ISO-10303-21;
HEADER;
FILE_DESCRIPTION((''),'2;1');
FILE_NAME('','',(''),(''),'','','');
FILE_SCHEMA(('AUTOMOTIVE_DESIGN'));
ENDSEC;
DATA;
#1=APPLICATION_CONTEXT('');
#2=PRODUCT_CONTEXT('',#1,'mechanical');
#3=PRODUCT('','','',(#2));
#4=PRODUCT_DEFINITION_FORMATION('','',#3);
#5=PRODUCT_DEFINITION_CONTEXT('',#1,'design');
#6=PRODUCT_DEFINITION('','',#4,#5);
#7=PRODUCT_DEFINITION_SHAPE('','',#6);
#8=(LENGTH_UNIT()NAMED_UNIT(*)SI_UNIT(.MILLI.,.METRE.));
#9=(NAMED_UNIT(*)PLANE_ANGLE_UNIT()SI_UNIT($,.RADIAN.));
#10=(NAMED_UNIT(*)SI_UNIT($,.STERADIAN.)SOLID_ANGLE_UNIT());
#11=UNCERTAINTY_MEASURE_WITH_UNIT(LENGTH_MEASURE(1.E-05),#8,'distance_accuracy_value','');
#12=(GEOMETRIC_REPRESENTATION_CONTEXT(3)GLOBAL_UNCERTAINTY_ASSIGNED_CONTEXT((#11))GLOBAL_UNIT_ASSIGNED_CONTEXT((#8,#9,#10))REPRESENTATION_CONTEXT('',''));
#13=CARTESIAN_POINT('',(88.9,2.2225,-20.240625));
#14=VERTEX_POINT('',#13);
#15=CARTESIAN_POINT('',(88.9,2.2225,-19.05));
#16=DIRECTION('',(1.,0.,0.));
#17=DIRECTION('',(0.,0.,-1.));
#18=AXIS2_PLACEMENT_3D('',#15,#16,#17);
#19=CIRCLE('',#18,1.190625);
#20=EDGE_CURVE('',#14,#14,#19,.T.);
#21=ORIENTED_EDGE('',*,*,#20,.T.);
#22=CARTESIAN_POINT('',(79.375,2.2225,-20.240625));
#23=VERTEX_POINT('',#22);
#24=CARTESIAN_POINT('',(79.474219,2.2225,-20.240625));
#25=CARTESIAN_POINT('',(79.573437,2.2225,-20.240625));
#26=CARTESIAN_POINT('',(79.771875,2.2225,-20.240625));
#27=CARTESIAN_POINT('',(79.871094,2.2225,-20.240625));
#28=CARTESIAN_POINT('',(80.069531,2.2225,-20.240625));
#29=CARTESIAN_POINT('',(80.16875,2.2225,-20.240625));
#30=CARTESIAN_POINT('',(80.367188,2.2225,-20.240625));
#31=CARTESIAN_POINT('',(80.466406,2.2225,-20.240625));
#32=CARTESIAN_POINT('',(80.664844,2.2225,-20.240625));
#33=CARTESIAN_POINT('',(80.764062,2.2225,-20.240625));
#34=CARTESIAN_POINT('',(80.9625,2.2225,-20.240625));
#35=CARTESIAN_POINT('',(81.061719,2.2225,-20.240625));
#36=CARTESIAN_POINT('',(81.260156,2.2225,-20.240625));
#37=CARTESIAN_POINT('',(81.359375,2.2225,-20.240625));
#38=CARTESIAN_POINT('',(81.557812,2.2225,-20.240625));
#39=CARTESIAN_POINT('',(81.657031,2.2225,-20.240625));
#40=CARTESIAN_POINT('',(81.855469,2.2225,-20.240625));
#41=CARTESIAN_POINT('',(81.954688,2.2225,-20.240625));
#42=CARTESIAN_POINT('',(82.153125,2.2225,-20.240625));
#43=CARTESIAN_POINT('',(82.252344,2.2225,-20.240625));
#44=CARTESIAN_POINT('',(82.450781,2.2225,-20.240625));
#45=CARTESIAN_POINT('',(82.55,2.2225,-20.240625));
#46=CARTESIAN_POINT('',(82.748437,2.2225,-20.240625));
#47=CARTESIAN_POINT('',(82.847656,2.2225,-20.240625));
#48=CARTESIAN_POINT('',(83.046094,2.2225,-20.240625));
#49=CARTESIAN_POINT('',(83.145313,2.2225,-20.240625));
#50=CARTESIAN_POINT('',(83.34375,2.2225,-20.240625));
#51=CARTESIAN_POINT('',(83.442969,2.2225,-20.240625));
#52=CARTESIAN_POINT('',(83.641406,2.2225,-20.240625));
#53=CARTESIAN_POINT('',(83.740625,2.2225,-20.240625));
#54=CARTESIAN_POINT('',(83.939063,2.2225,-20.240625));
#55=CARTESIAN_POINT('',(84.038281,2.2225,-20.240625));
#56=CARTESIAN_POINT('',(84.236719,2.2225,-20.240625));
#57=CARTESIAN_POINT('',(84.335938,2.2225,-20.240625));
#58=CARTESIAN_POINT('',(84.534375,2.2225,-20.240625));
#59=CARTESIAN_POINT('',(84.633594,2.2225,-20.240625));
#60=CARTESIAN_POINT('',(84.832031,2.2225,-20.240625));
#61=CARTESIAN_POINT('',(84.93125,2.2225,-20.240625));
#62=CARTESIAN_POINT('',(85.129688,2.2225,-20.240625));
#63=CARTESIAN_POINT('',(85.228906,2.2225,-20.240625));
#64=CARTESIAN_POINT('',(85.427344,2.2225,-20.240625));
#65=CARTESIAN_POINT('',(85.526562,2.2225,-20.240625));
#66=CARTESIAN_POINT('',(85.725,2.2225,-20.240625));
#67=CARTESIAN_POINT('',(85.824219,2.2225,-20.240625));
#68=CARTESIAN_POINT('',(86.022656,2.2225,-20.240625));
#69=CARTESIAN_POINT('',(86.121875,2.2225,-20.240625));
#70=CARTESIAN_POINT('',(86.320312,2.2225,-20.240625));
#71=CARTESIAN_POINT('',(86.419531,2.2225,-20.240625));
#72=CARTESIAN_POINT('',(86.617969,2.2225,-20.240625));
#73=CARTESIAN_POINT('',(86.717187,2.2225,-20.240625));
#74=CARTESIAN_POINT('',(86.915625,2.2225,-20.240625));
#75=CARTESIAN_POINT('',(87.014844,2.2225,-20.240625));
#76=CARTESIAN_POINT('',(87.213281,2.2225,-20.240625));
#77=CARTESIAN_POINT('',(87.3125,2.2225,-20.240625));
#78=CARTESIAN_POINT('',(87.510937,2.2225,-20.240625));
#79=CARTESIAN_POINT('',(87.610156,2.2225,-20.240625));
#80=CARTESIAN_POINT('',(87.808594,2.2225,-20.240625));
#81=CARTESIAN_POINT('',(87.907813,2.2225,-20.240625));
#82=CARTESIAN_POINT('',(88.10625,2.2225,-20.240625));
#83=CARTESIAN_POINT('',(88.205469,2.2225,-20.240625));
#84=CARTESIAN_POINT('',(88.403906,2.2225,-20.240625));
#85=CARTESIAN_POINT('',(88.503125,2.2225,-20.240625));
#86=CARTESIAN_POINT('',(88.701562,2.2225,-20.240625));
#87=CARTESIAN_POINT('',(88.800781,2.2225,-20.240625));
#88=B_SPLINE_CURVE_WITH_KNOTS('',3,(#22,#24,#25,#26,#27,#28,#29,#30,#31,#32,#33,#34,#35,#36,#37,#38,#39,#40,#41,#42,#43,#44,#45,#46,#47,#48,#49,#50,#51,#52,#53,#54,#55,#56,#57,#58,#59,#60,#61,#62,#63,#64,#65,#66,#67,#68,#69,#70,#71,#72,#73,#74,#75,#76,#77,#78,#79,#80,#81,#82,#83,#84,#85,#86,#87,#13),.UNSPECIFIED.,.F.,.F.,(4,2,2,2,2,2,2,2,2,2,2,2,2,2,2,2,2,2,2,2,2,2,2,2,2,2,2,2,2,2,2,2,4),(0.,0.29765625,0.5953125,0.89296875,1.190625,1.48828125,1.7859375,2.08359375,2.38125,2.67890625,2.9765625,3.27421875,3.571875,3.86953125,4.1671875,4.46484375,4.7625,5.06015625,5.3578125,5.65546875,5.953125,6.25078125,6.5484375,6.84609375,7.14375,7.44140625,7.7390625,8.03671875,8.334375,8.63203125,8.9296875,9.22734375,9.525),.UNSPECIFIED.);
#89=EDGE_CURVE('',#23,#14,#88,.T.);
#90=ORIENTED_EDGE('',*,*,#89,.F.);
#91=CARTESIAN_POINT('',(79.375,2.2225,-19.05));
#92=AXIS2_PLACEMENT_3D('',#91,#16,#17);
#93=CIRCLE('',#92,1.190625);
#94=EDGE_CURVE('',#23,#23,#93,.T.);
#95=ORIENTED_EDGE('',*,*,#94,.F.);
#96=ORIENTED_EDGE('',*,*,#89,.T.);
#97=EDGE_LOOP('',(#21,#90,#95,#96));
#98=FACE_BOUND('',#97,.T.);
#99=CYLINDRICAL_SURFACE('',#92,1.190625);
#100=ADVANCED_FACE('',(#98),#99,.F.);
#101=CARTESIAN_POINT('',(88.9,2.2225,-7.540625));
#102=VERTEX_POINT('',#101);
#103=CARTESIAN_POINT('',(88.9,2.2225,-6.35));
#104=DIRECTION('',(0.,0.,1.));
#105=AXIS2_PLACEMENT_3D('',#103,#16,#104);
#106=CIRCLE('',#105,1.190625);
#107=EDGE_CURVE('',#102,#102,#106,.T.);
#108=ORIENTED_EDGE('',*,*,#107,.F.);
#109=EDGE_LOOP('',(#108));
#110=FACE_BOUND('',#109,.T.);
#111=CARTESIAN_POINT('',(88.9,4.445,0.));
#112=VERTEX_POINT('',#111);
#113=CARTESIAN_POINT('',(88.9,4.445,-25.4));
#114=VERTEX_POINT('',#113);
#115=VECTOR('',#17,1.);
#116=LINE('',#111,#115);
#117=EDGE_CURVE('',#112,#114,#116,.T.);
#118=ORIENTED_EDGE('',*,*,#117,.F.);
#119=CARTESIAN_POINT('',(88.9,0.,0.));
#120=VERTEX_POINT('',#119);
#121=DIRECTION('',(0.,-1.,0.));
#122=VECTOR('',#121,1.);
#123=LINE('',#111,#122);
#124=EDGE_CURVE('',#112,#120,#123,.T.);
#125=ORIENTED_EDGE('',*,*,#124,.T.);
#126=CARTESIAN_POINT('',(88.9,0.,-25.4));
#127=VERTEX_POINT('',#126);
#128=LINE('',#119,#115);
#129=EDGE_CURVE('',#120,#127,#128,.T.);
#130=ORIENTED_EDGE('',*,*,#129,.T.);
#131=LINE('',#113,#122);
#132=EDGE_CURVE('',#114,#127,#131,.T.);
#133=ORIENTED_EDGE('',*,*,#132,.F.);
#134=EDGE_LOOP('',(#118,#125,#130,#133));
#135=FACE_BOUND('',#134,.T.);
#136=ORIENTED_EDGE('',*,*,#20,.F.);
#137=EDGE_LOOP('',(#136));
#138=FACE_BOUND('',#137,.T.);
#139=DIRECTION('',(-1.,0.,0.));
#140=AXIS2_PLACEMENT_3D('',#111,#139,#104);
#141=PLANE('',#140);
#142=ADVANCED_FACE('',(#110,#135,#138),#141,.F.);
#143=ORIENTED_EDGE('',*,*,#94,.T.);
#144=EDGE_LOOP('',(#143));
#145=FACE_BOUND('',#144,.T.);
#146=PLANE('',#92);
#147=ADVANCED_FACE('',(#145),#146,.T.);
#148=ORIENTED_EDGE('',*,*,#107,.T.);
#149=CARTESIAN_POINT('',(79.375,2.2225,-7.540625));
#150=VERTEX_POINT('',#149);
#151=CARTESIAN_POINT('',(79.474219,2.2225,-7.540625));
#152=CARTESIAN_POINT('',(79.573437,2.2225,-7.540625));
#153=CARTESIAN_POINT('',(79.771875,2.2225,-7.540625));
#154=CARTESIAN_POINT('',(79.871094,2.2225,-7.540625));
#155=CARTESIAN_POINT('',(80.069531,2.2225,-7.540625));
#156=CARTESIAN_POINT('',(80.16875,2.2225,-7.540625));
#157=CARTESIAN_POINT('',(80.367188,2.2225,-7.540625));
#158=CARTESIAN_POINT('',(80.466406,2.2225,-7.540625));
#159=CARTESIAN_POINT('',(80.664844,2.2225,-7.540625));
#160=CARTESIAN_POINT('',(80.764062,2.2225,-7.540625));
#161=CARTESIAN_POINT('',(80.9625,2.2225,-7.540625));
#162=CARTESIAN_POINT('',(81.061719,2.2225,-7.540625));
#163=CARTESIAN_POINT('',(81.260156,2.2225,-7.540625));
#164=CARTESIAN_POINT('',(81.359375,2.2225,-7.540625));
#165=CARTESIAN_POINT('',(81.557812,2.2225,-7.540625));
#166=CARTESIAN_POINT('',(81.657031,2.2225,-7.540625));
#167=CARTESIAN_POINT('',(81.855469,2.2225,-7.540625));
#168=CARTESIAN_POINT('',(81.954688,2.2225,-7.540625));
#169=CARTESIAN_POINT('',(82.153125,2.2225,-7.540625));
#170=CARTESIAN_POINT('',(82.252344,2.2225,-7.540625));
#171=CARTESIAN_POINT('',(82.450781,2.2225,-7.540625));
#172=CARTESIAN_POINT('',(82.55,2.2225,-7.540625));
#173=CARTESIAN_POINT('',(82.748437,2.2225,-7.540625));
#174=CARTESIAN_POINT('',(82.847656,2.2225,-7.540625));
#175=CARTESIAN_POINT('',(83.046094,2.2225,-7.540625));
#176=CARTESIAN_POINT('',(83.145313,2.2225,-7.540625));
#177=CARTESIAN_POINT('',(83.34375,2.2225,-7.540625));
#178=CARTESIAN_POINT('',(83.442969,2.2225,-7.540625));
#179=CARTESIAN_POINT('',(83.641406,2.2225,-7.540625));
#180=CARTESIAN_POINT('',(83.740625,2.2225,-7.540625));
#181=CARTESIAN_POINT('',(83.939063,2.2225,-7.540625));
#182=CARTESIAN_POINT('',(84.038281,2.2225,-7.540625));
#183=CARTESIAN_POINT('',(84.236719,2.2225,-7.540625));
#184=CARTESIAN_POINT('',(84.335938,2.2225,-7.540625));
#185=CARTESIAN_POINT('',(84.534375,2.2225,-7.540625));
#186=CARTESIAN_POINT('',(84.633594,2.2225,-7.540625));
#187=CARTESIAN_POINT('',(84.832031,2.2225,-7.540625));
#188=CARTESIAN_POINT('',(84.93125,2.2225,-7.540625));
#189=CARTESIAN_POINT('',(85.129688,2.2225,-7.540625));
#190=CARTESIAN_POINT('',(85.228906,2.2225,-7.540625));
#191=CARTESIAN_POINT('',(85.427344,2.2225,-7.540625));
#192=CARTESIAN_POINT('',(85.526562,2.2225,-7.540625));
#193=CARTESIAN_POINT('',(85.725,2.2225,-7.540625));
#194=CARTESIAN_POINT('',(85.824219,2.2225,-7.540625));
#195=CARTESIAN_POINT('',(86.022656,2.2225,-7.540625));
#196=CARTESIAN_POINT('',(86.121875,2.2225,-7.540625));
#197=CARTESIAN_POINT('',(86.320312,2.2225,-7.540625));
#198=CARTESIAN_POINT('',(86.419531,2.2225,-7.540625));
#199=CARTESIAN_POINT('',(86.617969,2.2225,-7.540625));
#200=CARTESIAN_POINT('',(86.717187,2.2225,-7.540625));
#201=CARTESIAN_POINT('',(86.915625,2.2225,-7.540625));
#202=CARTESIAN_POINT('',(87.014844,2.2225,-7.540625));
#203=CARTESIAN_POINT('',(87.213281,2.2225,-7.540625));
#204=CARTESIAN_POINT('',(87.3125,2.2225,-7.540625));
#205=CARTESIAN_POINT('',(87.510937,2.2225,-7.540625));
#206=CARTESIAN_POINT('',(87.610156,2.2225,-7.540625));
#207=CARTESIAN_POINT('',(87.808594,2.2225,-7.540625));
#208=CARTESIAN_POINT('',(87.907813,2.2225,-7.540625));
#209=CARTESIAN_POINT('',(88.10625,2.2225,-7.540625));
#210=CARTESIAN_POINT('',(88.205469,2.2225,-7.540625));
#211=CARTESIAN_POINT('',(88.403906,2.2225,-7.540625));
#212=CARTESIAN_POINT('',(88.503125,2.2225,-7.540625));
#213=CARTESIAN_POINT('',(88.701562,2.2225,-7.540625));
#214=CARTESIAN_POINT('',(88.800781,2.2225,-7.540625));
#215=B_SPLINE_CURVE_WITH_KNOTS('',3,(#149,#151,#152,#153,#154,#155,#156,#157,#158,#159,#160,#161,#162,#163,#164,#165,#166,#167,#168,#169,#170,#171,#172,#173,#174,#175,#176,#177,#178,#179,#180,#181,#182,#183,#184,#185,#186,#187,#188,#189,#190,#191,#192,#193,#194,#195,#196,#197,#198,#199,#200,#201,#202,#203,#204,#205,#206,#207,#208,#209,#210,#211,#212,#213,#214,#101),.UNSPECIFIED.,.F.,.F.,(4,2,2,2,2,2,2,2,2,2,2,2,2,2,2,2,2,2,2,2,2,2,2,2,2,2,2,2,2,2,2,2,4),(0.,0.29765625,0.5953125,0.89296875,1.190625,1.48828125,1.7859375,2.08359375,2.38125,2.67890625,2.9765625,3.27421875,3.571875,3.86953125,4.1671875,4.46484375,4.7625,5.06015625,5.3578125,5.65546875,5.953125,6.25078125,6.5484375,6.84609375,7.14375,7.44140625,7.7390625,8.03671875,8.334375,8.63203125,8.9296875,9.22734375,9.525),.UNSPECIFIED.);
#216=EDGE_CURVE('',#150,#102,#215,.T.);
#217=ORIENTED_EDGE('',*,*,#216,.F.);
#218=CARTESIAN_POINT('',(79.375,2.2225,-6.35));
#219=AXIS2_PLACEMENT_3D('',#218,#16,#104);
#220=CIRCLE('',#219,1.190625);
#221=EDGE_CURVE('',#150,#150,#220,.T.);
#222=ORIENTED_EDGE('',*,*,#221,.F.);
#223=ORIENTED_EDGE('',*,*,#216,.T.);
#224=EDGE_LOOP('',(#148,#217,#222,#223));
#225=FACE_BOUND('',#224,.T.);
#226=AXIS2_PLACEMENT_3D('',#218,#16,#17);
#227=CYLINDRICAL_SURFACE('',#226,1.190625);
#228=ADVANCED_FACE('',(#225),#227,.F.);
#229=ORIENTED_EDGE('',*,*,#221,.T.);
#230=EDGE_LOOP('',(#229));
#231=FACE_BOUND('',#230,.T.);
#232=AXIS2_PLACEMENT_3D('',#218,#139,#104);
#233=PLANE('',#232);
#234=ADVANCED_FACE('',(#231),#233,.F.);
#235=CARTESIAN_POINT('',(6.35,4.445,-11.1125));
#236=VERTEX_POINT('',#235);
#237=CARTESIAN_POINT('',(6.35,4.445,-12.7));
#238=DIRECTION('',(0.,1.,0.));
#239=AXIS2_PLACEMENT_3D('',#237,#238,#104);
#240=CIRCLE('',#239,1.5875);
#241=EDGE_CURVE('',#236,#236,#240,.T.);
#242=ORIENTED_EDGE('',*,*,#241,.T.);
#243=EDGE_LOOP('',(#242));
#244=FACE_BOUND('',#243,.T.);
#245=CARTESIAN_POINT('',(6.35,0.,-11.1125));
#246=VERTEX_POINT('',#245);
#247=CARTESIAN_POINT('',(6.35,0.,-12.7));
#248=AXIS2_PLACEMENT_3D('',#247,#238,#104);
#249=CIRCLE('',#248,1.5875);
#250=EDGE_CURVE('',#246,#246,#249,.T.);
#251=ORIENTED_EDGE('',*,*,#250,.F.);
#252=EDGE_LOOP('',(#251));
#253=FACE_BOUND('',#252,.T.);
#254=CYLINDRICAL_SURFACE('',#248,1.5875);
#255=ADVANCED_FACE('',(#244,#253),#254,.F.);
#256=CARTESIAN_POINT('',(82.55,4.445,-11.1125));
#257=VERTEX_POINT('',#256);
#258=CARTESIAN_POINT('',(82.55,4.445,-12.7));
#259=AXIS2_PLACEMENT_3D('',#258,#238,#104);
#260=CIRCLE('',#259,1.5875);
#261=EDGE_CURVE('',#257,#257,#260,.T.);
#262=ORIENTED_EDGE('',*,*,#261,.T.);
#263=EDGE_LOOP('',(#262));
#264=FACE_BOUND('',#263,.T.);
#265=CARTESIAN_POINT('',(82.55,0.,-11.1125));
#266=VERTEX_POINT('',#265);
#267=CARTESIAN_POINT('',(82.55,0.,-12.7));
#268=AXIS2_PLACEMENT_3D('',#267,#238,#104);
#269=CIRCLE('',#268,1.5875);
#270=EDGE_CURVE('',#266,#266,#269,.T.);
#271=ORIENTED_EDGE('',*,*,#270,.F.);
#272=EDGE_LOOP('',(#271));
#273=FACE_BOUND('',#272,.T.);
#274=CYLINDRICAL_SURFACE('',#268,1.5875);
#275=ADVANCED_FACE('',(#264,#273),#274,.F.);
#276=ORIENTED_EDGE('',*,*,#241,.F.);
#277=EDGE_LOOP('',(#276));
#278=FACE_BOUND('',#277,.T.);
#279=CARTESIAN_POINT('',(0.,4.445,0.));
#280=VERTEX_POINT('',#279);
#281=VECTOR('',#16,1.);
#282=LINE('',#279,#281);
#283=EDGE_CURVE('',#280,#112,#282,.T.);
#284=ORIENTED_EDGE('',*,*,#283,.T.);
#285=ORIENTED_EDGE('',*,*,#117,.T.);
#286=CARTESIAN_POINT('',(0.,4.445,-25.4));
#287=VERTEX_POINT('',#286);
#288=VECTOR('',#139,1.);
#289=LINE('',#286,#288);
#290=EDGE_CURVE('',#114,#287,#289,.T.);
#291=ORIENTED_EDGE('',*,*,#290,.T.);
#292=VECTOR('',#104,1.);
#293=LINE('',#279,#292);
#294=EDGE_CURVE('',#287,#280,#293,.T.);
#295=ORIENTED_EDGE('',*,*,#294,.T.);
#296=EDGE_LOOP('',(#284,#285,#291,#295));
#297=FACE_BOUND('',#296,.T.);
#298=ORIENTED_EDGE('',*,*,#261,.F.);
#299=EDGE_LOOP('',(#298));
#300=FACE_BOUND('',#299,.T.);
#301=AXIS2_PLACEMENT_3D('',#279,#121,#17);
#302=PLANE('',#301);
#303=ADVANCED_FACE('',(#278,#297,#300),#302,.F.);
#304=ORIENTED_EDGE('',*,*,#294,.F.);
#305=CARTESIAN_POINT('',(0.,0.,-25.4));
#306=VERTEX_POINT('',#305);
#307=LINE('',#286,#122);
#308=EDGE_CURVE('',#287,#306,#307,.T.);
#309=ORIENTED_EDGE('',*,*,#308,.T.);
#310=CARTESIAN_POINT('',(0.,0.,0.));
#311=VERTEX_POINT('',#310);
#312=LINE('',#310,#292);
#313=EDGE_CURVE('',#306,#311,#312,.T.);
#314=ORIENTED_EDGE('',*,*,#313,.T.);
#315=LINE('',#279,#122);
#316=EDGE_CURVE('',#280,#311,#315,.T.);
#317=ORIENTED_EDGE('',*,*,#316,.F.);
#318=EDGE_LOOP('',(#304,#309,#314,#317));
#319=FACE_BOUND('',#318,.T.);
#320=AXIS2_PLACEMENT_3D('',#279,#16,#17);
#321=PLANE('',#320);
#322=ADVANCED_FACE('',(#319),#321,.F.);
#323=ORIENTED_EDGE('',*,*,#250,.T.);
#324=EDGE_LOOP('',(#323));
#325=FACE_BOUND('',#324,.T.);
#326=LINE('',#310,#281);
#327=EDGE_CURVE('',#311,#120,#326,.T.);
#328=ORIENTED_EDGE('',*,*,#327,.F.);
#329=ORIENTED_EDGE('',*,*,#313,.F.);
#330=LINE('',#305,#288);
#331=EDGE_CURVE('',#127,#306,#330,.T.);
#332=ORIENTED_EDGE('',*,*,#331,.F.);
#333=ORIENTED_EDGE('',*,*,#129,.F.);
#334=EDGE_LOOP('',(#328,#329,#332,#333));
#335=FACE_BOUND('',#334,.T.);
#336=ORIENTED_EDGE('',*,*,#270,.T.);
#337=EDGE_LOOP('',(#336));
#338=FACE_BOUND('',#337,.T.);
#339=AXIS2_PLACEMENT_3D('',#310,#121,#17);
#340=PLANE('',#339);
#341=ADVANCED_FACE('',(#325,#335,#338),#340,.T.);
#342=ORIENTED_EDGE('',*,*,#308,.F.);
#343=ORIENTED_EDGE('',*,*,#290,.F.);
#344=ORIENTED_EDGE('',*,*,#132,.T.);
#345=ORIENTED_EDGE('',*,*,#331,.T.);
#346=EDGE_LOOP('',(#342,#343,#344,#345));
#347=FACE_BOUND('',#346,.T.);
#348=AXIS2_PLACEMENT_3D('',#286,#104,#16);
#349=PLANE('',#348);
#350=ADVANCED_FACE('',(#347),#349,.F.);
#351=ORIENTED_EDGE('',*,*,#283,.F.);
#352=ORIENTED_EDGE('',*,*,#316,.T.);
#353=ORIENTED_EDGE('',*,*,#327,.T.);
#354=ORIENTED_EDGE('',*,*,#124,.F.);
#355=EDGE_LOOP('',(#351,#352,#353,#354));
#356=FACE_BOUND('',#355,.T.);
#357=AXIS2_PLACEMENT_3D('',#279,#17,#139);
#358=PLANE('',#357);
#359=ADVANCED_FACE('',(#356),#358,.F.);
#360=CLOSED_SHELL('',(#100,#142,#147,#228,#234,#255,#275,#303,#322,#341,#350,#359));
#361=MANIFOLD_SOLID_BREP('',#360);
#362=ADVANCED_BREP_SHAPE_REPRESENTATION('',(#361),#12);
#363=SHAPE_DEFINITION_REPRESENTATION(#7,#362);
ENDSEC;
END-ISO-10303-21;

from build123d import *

# Parameters (mm, degrees)
SKETCH1_W           = 88.9
SKETCH1_H           = 25.4
BOSS_EXTRUDE1_DEPTH = 4.445
SKETCH3_R           = 1.190625
CUT_EXTRUDE2_DEPTH  = 9.525
SKETCH4_R           = 1.5875
CUT_EXTRUDE3_DEPTH  = 93.564183273


with BuildPart() as part:
    # Sketch1 → Boss-Extrude1 (new body)
    with BuildSketch(Plane(origin=(0, 0, 0), x_dir=(1, 0, 0), z_dir=(0, 1, 0))):
        with Locations((44.45, 12.7)):
            Rectangle(SKETCH1_W, SKETCH1_H)
    extrude(amount=BOSS_EXTRUDE1_DEPTH)

    # Sketch3 → Cut-Extrude2 (cut)
    with BuildSketch(Plane(origin=(88.9, 0, 0), x_dir=(0, 0, -1), z_dir=(1, 0, 0))):
        with Locations((19.05, 2.2225)):
            Circle(SKETCH3_R)
        with Locations((6.35, 2.2225)):
            Circle(SKETCH3_R)
    extrude(amount=-CUT_EXTRUDE2_DEPTH, mode=Mode.SUBTRACT)

    # Sketch4 → Cut-Extrude3 (cut, through all)
    with BuildSketch(Plane(origin=(0, 4.445, 0), x_dir=(1, 0, 0), z_dir=(0, 1, 0))):
        with Locations(Location((6.35, 12.7, 0), (0, 0, 270))):
            Circle(SKETCH4_R)
        with Locations(Location((82.55, 12.7, 0), (0, 0, 270))):
            Circle(SKETCH4_R)
    extrude(amount=-CUT_EXTRUDE3_DEPTH, mode=Mode.SUBTRACT)


solid = part.part
